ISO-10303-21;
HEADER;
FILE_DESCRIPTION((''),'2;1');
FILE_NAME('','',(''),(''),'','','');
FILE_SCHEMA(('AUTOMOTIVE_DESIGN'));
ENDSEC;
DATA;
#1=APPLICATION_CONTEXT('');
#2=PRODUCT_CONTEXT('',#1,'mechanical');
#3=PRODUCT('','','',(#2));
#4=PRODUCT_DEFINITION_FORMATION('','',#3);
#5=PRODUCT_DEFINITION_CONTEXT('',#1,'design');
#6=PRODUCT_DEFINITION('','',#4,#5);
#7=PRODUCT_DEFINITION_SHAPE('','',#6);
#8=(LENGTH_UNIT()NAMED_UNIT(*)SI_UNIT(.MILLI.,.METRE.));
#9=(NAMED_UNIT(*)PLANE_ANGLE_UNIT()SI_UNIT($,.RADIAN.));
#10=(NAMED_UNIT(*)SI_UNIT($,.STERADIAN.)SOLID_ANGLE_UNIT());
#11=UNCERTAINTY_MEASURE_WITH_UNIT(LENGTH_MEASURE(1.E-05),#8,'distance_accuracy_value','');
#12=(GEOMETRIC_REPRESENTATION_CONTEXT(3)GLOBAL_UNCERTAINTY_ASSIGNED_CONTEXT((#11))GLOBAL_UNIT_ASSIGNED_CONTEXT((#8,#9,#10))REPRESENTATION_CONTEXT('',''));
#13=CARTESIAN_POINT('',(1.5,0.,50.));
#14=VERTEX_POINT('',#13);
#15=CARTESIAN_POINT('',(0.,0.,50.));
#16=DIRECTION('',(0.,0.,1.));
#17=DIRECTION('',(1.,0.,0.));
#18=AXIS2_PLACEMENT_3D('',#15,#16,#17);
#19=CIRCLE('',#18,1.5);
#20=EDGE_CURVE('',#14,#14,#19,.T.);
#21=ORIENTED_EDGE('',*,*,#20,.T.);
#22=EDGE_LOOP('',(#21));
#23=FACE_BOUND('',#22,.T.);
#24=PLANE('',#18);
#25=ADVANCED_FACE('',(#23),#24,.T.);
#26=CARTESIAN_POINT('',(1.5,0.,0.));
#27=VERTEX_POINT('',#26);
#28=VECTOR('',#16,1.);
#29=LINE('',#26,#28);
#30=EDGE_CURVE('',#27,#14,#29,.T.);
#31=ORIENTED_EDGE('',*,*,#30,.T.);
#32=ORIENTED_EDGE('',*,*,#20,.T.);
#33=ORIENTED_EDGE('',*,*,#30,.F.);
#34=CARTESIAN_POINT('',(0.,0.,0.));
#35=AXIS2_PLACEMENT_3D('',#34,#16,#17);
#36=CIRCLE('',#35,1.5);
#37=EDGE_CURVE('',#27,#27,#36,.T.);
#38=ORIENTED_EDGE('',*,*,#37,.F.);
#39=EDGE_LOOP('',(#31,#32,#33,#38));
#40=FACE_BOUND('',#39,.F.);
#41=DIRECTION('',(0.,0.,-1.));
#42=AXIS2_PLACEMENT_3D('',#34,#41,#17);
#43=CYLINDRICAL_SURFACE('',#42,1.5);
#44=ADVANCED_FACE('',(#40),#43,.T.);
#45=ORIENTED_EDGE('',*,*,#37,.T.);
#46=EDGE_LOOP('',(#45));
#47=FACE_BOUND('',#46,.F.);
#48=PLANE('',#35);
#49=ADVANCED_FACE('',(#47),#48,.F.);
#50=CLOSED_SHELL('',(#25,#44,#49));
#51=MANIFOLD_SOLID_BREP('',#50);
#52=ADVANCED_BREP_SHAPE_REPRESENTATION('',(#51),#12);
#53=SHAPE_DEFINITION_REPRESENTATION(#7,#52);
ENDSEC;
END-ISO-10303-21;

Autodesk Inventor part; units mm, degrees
ref_plane "YZ Plane" through (0, 0, 0) normal (1, 0, 0) x (0, 1, 0)
ref_plane "XZ Plane" through (0, 0, 0) normal (0, 1, 0) x (-1, 0, 0)
ref_plane "XY Plane" through (0, 0, 0) normal (0, 0, 1) x (1, 0, 0)
sketch "Sketch1" plane through (0, 0, 0) normal (0, 0, 1) x (1, 0, 0)
  circle A0 centre (0, 0) radius 1.5
  dimension "d0" = 3
extrude "Extrusion1" add sketch "Sketch1" along normal blind 50
properties part number "rod"
